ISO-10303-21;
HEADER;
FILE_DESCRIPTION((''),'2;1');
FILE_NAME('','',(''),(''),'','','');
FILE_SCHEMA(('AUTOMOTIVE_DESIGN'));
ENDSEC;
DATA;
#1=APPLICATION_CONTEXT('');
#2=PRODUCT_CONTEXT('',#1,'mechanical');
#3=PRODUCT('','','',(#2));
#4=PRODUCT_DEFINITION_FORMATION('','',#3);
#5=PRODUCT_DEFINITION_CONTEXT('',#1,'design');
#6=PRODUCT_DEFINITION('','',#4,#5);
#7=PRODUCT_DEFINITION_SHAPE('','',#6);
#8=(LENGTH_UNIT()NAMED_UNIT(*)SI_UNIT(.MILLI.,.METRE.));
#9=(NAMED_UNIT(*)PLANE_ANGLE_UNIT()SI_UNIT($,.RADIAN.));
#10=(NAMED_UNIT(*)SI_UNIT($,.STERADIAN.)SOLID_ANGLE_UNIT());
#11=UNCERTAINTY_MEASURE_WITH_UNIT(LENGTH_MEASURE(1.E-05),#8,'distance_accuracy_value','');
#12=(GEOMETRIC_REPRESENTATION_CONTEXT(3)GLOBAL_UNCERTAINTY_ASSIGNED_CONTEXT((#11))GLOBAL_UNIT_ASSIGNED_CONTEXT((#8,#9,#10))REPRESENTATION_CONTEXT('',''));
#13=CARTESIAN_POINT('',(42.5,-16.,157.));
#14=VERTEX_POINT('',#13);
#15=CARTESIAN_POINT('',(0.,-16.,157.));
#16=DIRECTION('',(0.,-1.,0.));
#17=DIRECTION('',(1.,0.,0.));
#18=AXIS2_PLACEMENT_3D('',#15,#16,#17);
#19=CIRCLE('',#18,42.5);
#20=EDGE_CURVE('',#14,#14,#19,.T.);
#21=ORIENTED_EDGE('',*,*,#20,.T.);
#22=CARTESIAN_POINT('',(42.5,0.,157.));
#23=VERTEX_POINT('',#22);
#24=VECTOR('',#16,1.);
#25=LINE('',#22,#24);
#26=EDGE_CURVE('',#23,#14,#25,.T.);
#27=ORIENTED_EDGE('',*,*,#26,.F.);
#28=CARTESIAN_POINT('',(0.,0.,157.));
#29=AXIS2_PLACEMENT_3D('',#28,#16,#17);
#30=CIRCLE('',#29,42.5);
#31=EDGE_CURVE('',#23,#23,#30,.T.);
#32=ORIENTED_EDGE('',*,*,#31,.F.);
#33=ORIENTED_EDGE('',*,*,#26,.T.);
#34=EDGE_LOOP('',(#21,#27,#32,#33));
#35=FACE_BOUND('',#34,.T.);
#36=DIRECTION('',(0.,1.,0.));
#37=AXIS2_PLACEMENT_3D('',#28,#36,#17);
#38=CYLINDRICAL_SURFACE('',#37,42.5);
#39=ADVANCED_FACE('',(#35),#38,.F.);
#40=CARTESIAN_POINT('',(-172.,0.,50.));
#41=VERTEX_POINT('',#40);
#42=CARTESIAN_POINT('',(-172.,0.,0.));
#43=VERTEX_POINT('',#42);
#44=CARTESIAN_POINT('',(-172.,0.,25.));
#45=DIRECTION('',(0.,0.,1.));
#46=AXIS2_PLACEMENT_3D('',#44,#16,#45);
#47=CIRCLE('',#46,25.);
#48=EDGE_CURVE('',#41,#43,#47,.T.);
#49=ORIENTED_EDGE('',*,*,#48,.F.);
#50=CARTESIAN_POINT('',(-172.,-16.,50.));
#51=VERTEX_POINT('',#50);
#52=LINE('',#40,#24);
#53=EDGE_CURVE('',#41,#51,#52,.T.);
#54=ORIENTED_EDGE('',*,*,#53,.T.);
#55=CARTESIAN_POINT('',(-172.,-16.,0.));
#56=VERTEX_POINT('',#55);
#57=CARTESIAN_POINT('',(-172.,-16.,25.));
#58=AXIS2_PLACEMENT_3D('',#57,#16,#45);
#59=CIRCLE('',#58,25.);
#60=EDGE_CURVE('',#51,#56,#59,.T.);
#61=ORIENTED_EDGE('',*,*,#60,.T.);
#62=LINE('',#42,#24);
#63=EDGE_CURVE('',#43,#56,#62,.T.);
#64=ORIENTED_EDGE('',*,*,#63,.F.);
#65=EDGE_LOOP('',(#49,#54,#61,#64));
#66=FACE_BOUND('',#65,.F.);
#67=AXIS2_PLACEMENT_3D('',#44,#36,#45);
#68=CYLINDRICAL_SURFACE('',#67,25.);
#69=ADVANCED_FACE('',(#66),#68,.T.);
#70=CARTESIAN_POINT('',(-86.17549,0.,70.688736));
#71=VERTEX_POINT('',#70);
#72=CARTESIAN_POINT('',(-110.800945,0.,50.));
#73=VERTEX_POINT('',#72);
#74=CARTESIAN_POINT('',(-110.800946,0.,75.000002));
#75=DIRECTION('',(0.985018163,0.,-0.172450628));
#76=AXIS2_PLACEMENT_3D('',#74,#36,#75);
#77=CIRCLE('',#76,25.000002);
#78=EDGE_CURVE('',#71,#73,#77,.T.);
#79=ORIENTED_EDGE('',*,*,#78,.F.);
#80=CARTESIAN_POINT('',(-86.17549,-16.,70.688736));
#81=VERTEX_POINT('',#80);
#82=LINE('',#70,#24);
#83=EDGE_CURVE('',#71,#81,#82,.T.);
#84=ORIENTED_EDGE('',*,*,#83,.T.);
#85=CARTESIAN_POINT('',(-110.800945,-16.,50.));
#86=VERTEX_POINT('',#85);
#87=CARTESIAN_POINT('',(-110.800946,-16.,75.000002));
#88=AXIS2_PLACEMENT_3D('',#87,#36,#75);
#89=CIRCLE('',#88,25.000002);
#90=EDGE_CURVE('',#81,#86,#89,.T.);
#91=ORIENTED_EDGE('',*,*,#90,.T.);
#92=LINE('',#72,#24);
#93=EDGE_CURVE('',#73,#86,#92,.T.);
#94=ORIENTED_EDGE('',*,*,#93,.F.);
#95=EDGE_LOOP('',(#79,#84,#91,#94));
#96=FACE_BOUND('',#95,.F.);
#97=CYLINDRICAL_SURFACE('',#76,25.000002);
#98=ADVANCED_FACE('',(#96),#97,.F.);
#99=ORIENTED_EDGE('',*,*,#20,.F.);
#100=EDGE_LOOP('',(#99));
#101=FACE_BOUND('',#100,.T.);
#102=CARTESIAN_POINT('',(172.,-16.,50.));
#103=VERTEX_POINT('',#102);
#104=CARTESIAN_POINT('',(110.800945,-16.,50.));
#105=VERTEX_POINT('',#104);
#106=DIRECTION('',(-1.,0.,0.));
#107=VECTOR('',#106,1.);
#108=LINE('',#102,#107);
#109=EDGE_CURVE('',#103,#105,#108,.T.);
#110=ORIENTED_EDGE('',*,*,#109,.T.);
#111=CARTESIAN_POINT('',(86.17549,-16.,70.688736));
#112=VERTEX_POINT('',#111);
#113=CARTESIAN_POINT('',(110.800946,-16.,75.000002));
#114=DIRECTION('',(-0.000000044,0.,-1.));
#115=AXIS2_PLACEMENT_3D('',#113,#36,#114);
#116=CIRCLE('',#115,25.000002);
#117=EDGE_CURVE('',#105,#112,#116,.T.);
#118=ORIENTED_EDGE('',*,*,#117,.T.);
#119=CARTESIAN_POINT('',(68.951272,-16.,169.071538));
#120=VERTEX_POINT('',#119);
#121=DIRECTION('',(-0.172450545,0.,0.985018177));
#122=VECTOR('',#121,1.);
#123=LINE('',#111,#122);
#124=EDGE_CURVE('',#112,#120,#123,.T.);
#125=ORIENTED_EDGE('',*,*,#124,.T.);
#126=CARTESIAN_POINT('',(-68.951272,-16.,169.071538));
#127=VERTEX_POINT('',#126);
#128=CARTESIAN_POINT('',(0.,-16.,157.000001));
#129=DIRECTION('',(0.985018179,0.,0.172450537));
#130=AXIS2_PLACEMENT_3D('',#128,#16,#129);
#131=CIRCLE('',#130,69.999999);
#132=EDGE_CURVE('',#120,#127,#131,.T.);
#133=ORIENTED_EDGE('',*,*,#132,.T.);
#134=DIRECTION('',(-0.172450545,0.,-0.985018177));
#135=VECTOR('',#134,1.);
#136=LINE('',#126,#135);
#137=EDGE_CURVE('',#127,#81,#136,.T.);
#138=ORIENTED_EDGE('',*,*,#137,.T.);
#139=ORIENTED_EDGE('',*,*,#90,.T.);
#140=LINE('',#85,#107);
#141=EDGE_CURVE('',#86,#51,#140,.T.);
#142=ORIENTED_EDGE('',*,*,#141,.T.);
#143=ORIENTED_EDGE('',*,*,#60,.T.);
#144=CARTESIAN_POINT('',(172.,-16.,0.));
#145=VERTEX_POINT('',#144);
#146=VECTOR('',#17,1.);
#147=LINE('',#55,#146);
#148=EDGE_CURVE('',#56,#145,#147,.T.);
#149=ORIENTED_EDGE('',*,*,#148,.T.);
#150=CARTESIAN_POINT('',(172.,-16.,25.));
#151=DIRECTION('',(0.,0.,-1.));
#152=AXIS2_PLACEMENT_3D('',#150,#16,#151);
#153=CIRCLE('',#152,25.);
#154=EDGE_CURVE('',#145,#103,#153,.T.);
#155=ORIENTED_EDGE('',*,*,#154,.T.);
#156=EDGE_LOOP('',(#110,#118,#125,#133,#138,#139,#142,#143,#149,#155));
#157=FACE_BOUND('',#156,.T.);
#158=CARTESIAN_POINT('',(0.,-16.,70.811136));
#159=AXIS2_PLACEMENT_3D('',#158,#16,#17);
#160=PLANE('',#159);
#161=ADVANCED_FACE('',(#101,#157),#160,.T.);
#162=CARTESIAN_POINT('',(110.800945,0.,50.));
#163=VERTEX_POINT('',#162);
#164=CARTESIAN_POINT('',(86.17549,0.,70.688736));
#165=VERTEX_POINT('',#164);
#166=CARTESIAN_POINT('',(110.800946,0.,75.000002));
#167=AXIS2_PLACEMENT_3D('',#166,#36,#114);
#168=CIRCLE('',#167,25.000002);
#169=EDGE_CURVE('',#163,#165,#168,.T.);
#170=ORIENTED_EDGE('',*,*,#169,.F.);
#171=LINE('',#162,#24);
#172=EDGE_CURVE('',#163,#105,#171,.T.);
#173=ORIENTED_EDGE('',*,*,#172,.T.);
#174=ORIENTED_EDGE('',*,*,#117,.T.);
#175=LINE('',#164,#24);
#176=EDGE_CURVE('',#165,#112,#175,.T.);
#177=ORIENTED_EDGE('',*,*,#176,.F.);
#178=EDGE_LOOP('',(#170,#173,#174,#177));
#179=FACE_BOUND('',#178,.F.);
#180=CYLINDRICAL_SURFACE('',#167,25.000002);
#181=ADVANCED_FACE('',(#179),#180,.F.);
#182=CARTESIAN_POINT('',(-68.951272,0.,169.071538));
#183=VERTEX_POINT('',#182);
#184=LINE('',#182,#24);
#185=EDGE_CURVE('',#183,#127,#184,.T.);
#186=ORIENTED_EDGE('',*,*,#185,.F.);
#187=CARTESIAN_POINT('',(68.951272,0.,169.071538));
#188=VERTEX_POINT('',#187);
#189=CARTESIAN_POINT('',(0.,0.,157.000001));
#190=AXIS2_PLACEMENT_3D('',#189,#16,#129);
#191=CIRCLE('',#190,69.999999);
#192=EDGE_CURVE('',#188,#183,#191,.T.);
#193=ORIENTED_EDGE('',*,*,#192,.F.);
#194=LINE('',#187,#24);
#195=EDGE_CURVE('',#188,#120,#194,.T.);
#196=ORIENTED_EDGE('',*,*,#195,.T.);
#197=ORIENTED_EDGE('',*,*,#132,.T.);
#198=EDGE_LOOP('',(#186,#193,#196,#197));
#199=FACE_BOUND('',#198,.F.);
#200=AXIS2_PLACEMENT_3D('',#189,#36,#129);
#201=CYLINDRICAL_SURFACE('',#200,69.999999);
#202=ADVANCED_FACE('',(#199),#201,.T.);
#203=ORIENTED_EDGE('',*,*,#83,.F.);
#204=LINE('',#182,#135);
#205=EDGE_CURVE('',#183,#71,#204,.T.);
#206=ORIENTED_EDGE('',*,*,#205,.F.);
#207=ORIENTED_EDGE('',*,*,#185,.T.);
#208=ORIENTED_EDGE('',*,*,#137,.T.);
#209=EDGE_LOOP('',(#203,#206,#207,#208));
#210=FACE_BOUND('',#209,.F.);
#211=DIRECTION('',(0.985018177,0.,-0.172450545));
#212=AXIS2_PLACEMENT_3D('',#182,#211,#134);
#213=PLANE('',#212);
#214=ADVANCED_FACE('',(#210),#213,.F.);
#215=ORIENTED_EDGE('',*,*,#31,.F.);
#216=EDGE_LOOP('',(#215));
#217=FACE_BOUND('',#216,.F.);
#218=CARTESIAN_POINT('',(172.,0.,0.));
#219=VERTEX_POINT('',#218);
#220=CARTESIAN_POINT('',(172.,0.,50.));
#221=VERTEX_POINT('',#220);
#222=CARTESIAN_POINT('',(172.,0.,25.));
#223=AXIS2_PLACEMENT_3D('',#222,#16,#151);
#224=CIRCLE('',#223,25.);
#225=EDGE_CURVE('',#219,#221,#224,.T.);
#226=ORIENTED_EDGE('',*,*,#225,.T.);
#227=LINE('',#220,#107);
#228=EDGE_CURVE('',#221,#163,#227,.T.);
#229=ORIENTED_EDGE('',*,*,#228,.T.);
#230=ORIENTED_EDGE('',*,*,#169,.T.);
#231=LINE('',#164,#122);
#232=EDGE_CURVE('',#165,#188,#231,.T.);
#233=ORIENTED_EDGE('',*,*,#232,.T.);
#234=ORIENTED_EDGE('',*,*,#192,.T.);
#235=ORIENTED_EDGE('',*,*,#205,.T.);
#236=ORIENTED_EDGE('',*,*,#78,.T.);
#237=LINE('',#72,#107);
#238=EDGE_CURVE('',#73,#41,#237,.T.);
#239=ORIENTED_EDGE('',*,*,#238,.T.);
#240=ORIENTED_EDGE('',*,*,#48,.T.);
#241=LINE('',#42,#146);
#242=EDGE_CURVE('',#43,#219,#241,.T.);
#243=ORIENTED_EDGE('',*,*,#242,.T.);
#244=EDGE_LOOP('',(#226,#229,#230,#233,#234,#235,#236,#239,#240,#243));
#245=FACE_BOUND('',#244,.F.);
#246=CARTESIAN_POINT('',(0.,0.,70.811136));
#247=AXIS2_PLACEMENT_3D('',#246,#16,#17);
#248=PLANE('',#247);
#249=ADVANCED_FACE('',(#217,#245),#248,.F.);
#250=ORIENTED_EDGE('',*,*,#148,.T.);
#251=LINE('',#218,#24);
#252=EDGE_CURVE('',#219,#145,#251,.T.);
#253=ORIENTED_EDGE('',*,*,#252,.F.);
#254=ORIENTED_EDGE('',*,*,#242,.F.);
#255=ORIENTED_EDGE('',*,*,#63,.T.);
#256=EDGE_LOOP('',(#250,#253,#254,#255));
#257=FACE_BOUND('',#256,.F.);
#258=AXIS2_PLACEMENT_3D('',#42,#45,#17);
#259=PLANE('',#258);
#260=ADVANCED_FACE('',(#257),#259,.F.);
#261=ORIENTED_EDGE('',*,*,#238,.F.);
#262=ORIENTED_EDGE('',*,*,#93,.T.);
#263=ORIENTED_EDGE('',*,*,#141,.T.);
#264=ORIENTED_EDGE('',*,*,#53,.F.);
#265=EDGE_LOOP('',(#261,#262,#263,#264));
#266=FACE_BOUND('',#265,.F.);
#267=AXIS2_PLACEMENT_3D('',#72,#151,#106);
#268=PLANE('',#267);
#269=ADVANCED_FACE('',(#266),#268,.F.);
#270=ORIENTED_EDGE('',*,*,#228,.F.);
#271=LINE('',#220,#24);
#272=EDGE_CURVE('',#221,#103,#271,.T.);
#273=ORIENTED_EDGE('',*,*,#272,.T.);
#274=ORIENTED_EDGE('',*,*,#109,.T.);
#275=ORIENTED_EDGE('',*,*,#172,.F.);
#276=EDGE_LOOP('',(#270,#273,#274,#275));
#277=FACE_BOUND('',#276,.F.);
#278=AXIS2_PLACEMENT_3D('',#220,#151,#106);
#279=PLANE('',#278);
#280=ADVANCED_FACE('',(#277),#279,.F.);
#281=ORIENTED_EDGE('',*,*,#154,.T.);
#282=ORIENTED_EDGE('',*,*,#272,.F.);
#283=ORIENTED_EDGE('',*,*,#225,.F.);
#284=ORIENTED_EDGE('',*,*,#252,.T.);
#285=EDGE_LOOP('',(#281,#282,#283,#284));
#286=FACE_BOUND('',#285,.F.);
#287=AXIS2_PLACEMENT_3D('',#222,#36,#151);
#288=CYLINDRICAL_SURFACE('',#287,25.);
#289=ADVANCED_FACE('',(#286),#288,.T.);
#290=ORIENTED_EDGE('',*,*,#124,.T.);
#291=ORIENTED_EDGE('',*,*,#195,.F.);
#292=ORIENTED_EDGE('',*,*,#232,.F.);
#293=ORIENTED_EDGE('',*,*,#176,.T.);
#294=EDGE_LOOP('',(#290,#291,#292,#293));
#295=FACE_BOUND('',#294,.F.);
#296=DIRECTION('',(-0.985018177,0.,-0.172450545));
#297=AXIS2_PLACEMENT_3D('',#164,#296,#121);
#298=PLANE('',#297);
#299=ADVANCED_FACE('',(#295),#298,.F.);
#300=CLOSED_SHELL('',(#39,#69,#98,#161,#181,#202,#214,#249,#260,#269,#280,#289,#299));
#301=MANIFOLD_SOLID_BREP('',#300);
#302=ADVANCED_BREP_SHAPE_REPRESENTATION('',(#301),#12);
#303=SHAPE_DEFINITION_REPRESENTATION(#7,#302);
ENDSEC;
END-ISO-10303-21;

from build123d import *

# Parameters (mm, degrees)
F0_R     = 42.5
F1_DEPTH = 16


with BuildPart() as f1:
    # F0 (on Front) → F1 (new body)
    with BuildSketch(Plane.XZ):
        with BuildLine():
            ThreePointArc((-172, 50), (-197, 25), (-172, 0))
            Line((-172, 0), (172, 0))
            ThreePointArc((172, 0), (197, 25), (172, 50))
            Line((172, 50), (110.800945, 50))
            ThreePointArc((110.800945, 50), (94.719614, 55.858663), (86.17549, 70.688736))
            Line((86.17549, 70.688736), (68.951272, 169.071538))
            ThreePointArc((68.951272, 169.071538), (0, 227), (-68.951272, 169.071538))
            Line((-68.951272, 169.071538), (-86.17549, 70.688736))
            ThreePointArc((-86.17549, 70.688736), (-94.719614, 55.858663), (-110.800945, 50))
            Line((-110.800945, 50), (-172, 50))
        make_face()
        with Locations((0, 157)):
            Circle(F0_R, mode=Mode.SUBTRACT)
    extrude(amount=F1_DEPTH)


solid = f1.part
